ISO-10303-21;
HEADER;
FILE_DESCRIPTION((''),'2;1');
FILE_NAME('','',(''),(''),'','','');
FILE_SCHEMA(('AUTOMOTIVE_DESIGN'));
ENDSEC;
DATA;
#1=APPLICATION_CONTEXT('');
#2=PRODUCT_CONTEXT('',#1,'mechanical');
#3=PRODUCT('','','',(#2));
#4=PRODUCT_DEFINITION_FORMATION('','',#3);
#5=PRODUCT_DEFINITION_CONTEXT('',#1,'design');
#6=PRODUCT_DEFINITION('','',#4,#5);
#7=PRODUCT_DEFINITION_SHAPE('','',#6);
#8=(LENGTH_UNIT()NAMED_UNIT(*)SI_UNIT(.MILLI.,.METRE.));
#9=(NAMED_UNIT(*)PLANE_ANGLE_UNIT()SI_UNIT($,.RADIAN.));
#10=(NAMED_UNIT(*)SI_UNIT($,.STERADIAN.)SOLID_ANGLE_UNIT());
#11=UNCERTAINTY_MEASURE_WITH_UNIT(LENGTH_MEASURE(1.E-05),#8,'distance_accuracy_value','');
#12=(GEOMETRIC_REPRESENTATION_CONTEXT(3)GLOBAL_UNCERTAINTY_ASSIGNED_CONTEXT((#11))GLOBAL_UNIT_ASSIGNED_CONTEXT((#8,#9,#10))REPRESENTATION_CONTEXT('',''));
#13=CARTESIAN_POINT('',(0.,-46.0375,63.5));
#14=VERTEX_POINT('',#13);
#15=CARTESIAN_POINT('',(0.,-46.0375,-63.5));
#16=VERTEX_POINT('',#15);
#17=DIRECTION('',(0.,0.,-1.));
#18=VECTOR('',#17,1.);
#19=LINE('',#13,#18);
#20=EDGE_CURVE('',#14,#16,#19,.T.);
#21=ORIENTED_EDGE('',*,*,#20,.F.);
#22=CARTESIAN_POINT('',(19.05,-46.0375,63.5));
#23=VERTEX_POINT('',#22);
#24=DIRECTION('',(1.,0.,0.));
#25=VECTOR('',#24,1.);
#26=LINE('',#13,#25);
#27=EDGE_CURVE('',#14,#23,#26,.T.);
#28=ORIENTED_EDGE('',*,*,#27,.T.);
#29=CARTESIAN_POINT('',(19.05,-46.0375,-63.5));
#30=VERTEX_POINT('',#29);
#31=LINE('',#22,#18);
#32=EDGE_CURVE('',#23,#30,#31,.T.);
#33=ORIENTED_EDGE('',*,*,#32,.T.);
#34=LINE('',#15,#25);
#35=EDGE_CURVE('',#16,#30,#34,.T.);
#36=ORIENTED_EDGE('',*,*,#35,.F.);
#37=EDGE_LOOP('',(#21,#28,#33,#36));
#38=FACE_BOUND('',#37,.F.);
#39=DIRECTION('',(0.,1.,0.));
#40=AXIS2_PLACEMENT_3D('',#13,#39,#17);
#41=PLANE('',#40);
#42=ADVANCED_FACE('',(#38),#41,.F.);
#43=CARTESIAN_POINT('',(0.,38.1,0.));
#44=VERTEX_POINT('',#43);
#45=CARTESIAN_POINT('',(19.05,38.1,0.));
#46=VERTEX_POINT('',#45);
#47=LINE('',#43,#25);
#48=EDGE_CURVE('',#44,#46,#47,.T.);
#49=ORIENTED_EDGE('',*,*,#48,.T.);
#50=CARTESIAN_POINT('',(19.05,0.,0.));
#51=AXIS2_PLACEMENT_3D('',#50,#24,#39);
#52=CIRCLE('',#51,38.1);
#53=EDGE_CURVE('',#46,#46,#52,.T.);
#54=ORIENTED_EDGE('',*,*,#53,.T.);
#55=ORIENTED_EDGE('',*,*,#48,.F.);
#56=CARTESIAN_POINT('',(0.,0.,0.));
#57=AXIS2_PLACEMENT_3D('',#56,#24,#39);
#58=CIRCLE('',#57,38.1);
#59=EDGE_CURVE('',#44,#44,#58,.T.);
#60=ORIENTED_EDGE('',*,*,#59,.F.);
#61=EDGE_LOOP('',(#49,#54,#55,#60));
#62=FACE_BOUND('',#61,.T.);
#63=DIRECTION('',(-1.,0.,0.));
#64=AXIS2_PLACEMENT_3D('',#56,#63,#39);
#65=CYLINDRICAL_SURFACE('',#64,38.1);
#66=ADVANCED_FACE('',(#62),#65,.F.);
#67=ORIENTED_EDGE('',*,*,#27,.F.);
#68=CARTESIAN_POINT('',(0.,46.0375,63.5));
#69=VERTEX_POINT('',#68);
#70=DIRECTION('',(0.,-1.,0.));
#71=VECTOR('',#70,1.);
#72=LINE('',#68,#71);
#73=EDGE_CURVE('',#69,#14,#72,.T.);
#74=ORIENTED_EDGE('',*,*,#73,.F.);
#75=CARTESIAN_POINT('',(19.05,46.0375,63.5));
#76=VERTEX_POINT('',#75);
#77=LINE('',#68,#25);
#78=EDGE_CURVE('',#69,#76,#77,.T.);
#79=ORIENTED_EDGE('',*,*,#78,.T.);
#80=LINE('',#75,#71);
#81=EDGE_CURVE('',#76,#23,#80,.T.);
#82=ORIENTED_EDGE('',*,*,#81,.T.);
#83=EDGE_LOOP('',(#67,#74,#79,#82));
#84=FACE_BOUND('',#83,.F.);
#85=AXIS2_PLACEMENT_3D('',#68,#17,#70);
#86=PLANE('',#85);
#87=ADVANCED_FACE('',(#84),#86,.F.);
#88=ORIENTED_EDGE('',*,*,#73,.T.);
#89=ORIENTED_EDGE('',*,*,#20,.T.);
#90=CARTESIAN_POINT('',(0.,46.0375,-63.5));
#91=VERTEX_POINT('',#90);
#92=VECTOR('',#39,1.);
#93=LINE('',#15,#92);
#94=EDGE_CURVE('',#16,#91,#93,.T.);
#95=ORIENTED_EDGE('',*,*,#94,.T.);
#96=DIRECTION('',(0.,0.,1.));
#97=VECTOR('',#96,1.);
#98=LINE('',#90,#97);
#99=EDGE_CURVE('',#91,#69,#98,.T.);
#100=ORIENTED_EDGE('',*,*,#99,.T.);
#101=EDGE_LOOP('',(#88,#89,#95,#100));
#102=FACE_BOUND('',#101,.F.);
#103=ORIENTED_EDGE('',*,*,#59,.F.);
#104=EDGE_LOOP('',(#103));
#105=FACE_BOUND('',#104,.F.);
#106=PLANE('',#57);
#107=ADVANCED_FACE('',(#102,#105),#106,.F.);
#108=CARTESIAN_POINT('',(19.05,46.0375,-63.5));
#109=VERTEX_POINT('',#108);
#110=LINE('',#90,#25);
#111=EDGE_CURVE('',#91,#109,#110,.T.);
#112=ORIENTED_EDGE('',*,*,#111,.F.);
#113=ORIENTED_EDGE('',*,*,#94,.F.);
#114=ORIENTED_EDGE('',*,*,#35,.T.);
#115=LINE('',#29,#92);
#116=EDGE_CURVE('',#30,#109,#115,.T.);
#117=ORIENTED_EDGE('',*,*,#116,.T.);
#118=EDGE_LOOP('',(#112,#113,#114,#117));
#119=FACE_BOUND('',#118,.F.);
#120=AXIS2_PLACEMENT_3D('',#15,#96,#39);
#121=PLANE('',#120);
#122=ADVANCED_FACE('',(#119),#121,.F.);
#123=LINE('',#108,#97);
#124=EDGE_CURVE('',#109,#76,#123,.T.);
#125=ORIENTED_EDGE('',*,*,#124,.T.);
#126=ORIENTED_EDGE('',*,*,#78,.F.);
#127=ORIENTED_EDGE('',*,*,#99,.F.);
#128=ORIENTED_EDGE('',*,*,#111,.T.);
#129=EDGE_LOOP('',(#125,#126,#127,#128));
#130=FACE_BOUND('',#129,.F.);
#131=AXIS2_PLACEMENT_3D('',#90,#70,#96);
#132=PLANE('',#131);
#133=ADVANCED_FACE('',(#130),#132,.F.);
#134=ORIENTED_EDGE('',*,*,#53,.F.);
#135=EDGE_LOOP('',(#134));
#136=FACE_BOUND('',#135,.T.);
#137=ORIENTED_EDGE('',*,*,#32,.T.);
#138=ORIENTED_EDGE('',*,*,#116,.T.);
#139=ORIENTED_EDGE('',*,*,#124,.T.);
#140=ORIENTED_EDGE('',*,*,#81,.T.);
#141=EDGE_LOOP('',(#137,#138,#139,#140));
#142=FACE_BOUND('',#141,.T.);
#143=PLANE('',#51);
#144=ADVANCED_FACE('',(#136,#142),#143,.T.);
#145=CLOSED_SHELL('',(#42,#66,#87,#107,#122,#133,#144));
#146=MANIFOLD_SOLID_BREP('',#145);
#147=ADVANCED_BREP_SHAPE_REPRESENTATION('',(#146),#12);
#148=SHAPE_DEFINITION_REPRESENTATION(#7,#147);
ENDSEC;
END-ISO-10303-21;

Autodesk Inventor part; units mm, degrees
ref_plane "YZ Plane" through (0, 0, 0) normal (1, 0, 0) x (0, 1, 0)
ref_plane "XZ Plane" through (0, 0, 0) normal (0, 1, 0) x (-1, 0, 0)
ref_plane "XY Plane" through (0, 0, 0) normal (0, 0, 1) x (1, 0, 0)
sketch "Sketch1" plane through (0, 0, 0) normal (1, 0, 0) x (0, 1, 0)
  line L0 (46.0375, 63.5) -> (-46.0375, 63.5)
  line L1 (-46.0375, 63.5) -> (-46.0375, -63.5)
  line L2 (-46.0375, -63.5) -> (46.0375, -63.5)
  line L3 (46.0375, -63.5) -> (46.0375, 63.5)
  line L4 (46.0375, 63.5) -> (-46.0375, -63.5) construction
  line L5 (-46.0375, 63.5) -> (46.0375, -63.5) construction
  circle A0 centre (0, 0) radius 38.1
  dimension "d0" = 92.075
  dimension "d1" = 127
  dimension "d4" = 76.2
extrude "Extrusion1" add sketch "Sketch1" along normal blind 19.05
